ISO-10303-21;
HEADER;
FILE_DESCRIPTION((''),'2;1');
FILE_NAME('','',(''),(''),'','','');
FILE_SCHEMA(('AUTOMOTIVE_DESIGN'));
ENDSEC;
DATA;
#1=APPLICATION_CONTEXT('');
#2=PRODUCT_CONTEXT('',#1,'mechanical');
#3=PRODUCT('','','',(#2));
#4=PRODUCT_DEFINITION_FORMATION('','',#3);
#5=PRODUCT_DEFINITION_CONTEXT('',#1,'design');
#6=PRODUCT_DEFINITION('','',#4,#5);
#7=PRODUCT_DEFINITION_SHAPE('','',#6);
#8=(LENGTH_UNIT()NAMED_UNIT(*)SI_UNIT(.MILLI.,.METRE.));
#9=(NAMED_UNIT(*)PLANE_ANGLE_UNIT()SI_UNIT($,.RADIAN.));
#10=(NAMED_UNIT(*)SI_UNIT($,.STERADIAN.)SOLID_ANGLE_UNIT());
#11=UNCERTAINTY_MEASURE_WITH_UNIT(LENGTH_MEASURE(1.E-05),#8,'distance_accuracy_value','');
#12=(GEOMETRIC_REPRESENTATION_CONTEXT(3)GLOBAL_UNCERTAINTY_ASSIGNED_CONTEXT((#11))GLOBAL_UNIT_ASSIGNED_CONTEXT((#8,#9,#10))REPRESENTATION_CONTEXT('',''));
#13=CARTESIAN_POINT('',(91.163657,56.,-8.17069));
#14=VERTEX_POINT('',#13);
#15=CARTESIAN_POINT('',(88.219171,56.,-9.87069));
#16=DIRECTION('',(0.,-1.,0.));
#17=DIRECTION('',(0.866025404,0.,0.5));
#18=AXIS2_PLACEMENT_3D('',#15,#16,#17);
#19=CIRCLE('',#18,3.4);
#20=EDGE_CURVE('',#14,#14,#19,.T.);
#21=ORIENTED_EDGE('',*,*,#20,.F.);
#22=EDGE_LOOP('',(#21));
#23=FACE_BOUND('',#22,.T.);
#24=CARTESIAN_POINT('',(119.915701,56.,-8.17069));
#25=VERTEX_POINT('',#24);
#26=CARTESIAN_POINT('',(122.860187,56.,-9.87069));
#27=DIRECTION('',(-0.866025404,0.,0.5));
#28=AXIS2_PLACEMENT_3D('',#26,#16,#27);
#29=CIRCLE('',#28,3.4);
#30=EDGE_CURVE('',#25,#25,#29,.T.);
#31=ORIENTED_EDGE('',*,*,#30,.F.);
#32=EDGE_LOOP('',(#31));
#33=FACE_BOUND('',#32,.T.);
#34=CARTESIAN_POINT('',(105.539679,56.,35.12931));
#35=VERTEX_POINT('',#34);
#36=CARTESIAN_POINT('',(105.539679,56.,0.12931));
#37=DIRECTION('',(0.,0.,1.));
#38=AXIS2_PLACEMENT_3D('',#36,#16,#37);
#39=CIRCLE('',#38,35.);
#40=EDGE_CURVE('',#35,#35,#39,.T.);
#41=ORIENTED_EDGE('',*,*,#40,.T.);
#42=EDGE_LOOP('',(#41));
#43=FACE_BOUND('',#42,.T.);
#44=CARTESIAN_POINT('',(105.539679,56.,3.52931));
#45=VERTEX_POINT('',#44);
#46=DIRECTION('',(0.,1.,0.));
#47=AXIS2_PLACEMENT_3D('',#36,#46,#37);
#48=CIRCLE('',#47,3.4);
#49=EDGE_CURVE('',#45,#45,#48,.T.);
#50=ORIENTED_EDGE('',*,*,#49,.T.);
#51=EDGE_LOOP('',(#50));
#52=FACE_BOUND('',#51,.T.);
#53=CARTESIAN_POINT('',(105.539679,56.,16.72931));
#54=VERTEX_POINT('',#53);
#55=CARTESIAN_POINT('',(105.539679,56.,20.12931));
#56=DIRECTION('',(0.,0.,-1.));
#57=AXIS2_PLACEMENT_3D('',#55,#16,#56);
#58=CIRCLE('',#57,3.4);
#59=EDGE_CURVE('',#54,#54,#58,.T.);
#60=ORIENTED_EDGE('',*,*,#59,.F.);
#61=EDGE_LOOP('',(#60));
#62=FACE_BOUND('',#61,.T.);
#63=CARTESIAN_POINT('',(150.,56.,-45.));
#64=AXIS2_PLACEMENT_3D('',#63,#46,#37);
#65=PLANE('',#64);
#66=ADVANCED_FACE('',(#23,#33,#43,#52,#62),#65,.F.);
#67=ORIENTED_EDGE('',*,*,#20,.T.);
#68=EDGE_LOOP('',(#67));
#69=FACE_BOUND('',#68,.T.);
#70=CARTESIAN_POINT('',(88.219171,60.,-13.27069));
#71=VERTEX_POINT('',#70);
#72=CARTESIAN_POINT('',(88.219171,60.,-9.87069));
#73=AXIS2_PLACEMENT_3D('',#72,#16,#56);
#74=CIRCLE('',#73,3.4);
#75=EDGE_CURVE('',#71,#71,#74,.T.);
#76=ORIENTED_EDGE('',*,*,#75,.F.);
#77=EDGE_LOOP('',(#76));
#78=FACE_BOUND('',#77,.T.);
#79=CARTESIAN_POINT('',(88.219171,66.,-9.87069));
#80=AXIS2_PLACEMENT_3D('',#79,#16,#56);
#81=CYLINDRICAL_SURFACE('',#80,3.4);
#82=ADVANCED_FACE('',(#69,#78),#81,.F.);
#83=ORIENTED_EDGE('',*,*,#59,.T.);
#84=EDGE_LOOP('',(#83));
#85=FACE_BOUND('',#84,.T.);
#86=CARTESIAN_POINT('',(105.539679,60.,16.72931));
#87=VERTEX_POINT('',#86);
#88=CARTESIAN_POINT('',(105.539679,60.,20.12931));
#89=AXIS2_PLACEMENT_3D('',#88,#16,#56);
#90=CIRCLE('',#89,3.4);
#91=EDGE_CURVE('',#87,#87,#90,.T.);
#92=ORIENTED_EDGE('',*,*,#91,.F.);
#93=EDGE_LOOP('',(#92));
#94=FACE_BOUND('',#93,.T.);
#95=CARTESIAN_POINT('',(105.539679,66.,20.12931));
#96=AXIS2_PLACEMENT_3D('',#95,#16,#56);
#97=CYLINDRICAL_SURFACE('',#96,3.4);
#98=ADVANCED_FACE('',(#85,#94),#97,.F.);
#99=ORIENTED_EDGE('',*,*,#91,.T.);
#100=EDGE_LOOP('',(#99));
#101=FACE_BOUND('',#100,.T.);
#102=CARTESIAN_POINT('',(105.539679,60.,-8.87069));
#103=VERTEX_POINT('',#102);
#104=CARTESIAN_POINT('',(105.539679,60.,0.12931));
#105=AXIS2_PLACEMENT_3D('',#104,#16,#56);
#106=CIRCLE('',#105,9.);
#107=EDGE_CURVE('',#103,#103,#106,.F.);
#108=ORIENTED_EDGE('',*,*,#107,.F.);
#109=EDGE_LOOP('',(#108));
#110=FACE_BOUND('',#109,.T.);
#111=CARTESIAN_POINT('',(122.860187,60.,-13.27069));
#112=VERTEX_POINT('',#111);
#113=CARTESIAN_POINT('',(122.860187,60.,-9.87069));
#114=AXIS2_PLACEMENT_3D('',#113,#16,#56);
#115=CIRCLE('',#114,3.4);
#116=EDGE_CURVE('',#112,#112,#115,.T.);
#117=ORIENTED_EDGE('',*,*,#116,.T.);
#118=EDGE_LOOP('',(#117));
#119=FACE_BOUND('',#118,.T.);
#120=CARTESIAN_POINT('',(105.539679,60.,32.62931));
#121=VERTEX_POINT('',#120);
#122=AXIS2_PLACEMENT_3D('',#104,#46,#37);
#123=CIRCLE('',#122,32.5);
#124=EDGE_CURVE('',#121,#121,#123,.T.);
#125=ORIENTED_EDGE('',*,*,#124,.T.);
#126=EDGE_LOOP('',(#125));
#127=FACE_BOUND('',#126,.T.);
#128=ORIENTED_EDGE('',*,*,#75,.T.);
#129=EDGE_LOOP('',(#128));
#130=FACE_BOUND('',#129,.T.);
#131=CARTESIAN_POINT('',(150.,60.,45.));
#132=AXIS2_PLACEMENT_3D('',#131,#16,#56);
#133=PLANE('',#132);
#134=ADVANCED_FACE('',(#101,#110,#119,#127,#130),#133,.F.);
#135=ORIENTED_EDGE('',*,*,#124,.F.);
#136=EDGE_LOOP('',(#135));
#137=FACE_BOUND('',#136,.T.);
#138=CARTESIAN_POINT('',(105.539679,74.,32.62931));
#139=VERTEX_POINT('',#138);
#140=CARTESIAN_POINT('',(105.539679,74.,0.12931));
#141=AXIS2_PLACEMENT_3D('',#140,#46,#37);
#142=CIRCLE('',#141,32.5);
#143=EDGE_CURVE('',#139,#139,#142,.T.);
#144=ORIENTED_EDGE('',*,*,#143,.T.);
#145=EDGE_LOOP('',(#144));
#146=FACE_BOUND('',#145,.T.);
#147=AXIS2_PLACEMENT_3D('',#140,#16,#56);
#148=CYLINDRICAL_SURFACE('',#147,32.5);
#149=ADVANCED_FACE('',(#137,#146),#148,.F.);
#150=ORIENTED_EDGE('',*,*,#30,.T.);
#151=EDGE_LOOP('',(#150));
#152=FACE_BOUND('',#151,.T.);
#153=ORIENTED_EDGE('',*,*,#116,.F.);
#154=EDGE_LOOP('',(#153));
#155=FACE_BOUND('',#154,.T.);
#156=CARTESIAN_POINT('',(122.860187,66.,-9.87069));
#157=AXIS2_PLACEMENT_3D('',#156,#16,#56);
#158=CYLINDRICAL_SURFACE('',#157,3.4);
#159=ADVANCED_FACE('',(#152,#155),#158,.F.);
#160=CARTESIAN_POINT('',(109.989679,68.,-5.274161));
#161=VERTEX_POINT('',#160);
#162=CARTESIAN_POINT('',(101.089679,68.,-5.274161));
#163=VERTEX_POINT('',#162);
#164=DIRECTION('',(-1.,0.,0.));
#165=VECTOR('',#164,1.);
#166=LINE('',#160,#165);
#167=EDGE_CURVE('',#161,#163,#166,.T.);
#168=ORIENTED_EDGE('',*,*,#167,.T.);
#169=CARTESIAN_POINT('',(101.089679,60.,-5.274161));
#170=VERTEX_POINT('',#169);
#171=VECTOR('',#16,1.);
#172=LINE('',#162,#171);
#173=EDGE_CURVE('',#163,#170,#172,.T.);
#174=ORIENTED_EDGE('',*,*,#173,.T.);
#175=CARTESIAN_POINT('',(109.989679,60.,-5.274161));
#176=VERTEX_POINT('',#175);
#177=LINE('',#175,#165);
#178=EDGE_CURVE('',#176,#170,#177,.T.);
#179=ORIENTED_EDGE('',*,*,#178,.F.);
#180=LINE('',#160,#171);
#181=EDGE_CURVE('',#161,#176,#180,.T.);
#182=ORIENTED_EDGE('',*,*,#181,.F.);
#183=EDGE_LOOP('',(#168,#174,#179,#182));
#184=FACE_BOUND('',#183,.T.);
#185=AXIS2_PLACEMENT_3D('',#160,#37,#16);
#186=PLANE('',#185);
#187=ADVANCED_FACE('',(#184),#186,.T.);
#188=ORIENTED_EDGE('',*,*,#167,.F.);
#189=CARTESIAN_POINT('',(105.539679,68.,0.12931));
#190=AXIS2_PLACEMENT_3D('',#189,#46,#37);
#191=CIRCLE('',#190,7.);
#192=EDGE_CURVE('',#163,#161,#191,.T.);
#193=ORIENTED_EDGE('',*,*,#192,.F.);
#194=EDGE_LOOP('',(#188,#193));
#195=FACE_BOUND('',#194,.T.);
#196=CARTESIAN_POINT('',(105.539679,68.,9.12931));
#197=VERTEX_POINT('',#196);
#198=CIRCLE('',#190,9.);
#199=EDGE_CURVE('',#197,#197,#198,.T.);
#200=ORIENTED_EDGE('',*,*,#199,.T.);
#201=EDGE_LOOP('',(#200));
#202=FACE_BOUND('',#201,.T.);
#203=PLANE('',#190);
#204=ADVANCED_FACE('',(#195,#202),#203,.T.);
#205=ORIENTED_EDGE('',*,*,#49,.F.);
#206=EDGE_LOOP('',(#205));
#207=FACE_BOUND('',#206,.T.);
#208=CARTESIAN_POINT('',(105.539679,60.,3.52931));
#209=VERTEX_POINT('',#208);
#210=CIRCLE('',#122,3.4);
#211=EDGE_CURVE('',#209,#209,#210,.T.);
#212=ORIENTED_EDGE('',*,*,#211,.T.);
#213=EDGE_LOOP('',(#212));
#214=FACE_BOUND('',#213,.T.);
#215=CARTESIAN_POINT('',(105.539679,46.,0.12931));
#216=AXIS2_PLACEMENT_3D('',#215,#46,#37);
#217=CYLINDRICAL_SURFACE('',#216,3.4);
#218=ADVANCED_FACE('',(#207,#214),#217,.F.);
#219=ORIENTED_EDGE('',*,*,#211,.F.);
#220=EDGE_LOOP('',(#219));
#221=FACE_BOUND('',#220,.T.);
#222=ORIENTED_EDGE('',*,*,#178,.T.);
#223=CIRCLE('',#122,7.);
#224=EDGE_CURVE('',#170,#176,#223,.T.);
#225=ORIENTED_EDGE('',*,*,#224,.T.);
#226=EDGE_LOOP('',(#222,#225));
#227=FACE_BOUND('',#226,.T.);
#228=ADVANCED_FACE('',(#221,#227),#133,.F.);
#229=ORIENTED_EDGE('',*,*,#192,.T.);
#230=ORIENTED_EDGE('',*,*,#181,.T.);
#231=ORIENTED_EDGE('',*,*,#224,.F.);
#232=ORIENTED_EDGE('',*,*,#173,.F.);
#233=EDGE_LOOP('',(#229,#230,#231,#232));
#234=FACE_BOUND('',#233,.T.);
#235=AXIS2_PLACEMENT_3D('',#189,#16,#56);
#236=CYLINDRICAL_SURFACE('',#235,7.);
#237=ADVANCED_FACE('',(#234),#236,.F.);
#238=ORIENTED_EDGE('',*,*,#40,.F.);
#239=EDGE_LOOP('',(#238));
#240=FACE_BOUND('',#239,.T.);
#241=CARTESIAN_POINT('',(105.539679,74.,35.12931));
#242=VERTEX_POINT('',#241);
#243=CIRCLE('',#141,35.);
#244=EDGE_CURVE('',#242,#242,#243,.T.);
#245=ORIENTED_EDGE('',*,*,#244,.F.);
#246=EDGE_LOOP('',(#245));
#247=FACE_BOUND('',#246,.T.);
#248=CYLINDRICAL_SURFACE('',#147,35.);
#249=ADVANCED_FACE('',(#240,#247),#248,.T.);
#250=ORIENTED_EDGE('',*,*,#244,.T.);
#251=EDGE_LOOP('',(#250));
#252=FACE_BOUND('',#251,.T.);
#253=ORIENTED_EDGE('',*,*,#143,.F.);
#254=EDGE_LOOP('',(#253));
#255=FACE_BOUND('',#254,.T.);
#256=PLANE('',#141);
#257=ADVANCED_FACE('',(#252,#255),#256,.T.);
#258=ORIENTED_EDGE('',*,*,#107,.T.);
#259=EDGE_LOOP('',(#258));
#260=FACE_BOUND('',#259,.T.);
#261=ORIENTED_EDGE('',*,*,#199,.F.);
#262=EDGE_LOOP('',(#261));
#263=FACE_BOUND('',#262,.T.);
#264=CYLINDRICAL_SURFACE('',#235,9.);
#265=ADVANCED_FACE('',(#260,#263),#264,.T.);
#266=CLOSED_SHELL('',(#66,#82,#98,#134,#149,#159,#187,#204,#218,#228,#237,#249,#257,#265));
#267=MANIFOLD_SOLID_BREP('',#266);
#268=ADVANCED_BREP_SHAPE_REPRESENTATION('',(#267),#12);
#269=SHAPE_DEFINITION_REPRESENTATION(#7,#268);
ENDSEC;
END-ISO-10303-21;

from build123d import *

# Parameters (mm, degrees)
BOSS_EXTRUDE1_DEPTH = 150
SKETCH2_R           = 35
SKETCH2_R_2         = 32.5
BOSS_EXTRUDE2_DEPTH = 14
SKETCH3_R           = 9
BOSS_EXTRUDE3_DEPTH = 8
SKETCH5_R           = 3.4
CUT_EXTRUDE1_DEPTH  = 14
CUT_EXTRUDE4_DEPTH  = 154
CUT_EXTRUDE6_START  = -4
CUT_EXTRUDE6_DEPTH  = 4
CUT_EXTRUDE7_START  = -4
CUT_EXTRUDE7_DEPTH  = 4
SKETCH13_R          = 3.4
CUT_EXTRUDE8_DEPTH  = 10
CIRPATTERN1_COUNT   = 3


with BuildPart() as part:
    # Sketch1 → Boss-Extrude1 (new body)
    with BuildSketch(Plane.YZ):
        Polygon((-60, -45), (-60, 45), (60, 45), (60, -45), (56, -45), (56, 41), (-56, 41), (-56, -45), align=None)
    extrude(amount=BOSS_EXTRUDE1_DEPTH)

    # Sketch2 → Boss-Extrude2 (add)
    with BuildSketch(Plane(origin=(0, 60, 0), x_dir=(-1, 0, 0), z_dir=(0, 1, 0))):
        with Locations(Location((-105.539679059, 0.129309752, 0), (0, 0, 270))):
            Circle(SKETCH2_R)
        with Locations(Location((-105.539679059, 0.129309752, 0), (0, 0, 90))):
            Circle(SKETCH2_R_2, mode=Mode.SUBTRACT)
    extrude(amount=BOSS_EXTRUDE2_DEPTH)

    # Sketch3 → Boss-Extrude3 (add)
    with BuildSketch(Plane(origin=(0, 60, 0), x_dir=(-1, 0, 0), z_dir=(0, 1, 0))):
        with Locations(Location((-105.539679059, 0.129309752, 0), (0, 0, 270))):
            Circle(SKETCH3_R)
        with BuildLine():
            Line((-109.989679059, -5.274161354), (-101.089679059, -5.274161354))
            ThreePointArc((-101.089679059, -5.274161354), (-105.539679059, 7.129309752), (-109.989679059, -5.274161354))
        make_face(mode=Mode.SUBTRACT)
    extrude(amount=BOSS_EXTRUDE3_DEPTH)

    # Sketch5 → Cut-Extrude1 (cut)
    with BuildSketch(Plane(origin=(0, 60, 0), x_dir=(-1, 0, 0), z_dir=(0, 1, 0))):
        with Locations(Location((-105.539679059, 0.129309752, 0), (0, 0, 90))):
            Circle(SKETCH5_R)
    extrude(amount=-CUT_EXTRUDE1_DEPTH, mode=Mode.SUBTRACT)

    # Sketch8 → Cut-Extrude4 (cut)
    with BuildSketch(Plane.YZ.offset(150)):
        Polygon((60, 35.129309752), (56, 35.129309752), (56, -34.870690248), (60, -34.870690248), (60, -45), (56, -45), (-60, -45), (-60, 45), (56, 45), (60, 45), align=None)
    extrude(amount=-CUT_EXTRUDE4_DEPTH, mode=Mode.SUBTRACT)

    # Sketch11 → Cut-Extrude6 (cut)
    with BuildSketch(Plane(origin=(0, 60, 0), x_dir=(-1, 0, 0), z_dir=(0, 1, 0)).offset(CUT_EXTRUDE6_START)):
        with BuildLine():
            Line((-150, 35.129309752), (-105.539679059, 35.129309752))
            ThreePointArc((-105.539679059, 35.129309752), (-140.539679059, 0.129309752), (-105.539679059, -34.870690248))
            Line((-105.539679059, -34.870690248), (-150, -34.870690248))
            Line((-150, -34.870690248), (-150, 35.129309752))
        make_face()
    extrude(amount=CUT_EXTRUDE6_DEPTH, mode=Mode.SUBTRACT)

    # Sketch12 → Cut-Extrude7 (cut)
    with BuildSketch(Plane(origin=(0, 60, 0), x_dir=(-1, 0, 0), z_dir=(0, 1, 0)).offset(CUT_EXTRUDE7_START)):
        with BuildLine():
            Line((-105.539679059, 35.129309752), (0, 35.129309752))
            Line((0, 35.129309752), (0, -34.870690248))
            Line((0, -34.870690248), (-105.539679059, -34.870690248))
            ThreePointArc((-105.539679059, -34.870690248), (-70.539679059, 0.129309752), (-105.539679059, 35.129309752))
        make_face()
    extrude(amount=CUT_EXTRUDE7_DEPTH, mode=Mode.SUBTRACT)

    # Sketch13 → Cut-Extrude8 (cut)
    with BuildSketch(Plane.XZ.offset(-56)):
        with Locations(Location((105.539679059, 20.129309752, 0), (0, 0, 270))):
            Circle(SKETCH13_R)
    cut_extrude8 = extrude(amount=-CUT_EXTRUDE8_DEPTH, mode=Mode.SUBTRACT)

    # CirPattern1: Cut-Extrude8 ×3 about axis
    cirpattern1_axis = Axis((105.539679059, 0, 0.129309752), (0, 1, 0))
    for i in range(1, CIRPATTERN1_COUNT):
        add(cut_extrude8.rotate(cirpattern1_axis, i * 360 / CIRPATTERN1_COUNT), mode=Mode.SUBTRACT)


solid = part.part
